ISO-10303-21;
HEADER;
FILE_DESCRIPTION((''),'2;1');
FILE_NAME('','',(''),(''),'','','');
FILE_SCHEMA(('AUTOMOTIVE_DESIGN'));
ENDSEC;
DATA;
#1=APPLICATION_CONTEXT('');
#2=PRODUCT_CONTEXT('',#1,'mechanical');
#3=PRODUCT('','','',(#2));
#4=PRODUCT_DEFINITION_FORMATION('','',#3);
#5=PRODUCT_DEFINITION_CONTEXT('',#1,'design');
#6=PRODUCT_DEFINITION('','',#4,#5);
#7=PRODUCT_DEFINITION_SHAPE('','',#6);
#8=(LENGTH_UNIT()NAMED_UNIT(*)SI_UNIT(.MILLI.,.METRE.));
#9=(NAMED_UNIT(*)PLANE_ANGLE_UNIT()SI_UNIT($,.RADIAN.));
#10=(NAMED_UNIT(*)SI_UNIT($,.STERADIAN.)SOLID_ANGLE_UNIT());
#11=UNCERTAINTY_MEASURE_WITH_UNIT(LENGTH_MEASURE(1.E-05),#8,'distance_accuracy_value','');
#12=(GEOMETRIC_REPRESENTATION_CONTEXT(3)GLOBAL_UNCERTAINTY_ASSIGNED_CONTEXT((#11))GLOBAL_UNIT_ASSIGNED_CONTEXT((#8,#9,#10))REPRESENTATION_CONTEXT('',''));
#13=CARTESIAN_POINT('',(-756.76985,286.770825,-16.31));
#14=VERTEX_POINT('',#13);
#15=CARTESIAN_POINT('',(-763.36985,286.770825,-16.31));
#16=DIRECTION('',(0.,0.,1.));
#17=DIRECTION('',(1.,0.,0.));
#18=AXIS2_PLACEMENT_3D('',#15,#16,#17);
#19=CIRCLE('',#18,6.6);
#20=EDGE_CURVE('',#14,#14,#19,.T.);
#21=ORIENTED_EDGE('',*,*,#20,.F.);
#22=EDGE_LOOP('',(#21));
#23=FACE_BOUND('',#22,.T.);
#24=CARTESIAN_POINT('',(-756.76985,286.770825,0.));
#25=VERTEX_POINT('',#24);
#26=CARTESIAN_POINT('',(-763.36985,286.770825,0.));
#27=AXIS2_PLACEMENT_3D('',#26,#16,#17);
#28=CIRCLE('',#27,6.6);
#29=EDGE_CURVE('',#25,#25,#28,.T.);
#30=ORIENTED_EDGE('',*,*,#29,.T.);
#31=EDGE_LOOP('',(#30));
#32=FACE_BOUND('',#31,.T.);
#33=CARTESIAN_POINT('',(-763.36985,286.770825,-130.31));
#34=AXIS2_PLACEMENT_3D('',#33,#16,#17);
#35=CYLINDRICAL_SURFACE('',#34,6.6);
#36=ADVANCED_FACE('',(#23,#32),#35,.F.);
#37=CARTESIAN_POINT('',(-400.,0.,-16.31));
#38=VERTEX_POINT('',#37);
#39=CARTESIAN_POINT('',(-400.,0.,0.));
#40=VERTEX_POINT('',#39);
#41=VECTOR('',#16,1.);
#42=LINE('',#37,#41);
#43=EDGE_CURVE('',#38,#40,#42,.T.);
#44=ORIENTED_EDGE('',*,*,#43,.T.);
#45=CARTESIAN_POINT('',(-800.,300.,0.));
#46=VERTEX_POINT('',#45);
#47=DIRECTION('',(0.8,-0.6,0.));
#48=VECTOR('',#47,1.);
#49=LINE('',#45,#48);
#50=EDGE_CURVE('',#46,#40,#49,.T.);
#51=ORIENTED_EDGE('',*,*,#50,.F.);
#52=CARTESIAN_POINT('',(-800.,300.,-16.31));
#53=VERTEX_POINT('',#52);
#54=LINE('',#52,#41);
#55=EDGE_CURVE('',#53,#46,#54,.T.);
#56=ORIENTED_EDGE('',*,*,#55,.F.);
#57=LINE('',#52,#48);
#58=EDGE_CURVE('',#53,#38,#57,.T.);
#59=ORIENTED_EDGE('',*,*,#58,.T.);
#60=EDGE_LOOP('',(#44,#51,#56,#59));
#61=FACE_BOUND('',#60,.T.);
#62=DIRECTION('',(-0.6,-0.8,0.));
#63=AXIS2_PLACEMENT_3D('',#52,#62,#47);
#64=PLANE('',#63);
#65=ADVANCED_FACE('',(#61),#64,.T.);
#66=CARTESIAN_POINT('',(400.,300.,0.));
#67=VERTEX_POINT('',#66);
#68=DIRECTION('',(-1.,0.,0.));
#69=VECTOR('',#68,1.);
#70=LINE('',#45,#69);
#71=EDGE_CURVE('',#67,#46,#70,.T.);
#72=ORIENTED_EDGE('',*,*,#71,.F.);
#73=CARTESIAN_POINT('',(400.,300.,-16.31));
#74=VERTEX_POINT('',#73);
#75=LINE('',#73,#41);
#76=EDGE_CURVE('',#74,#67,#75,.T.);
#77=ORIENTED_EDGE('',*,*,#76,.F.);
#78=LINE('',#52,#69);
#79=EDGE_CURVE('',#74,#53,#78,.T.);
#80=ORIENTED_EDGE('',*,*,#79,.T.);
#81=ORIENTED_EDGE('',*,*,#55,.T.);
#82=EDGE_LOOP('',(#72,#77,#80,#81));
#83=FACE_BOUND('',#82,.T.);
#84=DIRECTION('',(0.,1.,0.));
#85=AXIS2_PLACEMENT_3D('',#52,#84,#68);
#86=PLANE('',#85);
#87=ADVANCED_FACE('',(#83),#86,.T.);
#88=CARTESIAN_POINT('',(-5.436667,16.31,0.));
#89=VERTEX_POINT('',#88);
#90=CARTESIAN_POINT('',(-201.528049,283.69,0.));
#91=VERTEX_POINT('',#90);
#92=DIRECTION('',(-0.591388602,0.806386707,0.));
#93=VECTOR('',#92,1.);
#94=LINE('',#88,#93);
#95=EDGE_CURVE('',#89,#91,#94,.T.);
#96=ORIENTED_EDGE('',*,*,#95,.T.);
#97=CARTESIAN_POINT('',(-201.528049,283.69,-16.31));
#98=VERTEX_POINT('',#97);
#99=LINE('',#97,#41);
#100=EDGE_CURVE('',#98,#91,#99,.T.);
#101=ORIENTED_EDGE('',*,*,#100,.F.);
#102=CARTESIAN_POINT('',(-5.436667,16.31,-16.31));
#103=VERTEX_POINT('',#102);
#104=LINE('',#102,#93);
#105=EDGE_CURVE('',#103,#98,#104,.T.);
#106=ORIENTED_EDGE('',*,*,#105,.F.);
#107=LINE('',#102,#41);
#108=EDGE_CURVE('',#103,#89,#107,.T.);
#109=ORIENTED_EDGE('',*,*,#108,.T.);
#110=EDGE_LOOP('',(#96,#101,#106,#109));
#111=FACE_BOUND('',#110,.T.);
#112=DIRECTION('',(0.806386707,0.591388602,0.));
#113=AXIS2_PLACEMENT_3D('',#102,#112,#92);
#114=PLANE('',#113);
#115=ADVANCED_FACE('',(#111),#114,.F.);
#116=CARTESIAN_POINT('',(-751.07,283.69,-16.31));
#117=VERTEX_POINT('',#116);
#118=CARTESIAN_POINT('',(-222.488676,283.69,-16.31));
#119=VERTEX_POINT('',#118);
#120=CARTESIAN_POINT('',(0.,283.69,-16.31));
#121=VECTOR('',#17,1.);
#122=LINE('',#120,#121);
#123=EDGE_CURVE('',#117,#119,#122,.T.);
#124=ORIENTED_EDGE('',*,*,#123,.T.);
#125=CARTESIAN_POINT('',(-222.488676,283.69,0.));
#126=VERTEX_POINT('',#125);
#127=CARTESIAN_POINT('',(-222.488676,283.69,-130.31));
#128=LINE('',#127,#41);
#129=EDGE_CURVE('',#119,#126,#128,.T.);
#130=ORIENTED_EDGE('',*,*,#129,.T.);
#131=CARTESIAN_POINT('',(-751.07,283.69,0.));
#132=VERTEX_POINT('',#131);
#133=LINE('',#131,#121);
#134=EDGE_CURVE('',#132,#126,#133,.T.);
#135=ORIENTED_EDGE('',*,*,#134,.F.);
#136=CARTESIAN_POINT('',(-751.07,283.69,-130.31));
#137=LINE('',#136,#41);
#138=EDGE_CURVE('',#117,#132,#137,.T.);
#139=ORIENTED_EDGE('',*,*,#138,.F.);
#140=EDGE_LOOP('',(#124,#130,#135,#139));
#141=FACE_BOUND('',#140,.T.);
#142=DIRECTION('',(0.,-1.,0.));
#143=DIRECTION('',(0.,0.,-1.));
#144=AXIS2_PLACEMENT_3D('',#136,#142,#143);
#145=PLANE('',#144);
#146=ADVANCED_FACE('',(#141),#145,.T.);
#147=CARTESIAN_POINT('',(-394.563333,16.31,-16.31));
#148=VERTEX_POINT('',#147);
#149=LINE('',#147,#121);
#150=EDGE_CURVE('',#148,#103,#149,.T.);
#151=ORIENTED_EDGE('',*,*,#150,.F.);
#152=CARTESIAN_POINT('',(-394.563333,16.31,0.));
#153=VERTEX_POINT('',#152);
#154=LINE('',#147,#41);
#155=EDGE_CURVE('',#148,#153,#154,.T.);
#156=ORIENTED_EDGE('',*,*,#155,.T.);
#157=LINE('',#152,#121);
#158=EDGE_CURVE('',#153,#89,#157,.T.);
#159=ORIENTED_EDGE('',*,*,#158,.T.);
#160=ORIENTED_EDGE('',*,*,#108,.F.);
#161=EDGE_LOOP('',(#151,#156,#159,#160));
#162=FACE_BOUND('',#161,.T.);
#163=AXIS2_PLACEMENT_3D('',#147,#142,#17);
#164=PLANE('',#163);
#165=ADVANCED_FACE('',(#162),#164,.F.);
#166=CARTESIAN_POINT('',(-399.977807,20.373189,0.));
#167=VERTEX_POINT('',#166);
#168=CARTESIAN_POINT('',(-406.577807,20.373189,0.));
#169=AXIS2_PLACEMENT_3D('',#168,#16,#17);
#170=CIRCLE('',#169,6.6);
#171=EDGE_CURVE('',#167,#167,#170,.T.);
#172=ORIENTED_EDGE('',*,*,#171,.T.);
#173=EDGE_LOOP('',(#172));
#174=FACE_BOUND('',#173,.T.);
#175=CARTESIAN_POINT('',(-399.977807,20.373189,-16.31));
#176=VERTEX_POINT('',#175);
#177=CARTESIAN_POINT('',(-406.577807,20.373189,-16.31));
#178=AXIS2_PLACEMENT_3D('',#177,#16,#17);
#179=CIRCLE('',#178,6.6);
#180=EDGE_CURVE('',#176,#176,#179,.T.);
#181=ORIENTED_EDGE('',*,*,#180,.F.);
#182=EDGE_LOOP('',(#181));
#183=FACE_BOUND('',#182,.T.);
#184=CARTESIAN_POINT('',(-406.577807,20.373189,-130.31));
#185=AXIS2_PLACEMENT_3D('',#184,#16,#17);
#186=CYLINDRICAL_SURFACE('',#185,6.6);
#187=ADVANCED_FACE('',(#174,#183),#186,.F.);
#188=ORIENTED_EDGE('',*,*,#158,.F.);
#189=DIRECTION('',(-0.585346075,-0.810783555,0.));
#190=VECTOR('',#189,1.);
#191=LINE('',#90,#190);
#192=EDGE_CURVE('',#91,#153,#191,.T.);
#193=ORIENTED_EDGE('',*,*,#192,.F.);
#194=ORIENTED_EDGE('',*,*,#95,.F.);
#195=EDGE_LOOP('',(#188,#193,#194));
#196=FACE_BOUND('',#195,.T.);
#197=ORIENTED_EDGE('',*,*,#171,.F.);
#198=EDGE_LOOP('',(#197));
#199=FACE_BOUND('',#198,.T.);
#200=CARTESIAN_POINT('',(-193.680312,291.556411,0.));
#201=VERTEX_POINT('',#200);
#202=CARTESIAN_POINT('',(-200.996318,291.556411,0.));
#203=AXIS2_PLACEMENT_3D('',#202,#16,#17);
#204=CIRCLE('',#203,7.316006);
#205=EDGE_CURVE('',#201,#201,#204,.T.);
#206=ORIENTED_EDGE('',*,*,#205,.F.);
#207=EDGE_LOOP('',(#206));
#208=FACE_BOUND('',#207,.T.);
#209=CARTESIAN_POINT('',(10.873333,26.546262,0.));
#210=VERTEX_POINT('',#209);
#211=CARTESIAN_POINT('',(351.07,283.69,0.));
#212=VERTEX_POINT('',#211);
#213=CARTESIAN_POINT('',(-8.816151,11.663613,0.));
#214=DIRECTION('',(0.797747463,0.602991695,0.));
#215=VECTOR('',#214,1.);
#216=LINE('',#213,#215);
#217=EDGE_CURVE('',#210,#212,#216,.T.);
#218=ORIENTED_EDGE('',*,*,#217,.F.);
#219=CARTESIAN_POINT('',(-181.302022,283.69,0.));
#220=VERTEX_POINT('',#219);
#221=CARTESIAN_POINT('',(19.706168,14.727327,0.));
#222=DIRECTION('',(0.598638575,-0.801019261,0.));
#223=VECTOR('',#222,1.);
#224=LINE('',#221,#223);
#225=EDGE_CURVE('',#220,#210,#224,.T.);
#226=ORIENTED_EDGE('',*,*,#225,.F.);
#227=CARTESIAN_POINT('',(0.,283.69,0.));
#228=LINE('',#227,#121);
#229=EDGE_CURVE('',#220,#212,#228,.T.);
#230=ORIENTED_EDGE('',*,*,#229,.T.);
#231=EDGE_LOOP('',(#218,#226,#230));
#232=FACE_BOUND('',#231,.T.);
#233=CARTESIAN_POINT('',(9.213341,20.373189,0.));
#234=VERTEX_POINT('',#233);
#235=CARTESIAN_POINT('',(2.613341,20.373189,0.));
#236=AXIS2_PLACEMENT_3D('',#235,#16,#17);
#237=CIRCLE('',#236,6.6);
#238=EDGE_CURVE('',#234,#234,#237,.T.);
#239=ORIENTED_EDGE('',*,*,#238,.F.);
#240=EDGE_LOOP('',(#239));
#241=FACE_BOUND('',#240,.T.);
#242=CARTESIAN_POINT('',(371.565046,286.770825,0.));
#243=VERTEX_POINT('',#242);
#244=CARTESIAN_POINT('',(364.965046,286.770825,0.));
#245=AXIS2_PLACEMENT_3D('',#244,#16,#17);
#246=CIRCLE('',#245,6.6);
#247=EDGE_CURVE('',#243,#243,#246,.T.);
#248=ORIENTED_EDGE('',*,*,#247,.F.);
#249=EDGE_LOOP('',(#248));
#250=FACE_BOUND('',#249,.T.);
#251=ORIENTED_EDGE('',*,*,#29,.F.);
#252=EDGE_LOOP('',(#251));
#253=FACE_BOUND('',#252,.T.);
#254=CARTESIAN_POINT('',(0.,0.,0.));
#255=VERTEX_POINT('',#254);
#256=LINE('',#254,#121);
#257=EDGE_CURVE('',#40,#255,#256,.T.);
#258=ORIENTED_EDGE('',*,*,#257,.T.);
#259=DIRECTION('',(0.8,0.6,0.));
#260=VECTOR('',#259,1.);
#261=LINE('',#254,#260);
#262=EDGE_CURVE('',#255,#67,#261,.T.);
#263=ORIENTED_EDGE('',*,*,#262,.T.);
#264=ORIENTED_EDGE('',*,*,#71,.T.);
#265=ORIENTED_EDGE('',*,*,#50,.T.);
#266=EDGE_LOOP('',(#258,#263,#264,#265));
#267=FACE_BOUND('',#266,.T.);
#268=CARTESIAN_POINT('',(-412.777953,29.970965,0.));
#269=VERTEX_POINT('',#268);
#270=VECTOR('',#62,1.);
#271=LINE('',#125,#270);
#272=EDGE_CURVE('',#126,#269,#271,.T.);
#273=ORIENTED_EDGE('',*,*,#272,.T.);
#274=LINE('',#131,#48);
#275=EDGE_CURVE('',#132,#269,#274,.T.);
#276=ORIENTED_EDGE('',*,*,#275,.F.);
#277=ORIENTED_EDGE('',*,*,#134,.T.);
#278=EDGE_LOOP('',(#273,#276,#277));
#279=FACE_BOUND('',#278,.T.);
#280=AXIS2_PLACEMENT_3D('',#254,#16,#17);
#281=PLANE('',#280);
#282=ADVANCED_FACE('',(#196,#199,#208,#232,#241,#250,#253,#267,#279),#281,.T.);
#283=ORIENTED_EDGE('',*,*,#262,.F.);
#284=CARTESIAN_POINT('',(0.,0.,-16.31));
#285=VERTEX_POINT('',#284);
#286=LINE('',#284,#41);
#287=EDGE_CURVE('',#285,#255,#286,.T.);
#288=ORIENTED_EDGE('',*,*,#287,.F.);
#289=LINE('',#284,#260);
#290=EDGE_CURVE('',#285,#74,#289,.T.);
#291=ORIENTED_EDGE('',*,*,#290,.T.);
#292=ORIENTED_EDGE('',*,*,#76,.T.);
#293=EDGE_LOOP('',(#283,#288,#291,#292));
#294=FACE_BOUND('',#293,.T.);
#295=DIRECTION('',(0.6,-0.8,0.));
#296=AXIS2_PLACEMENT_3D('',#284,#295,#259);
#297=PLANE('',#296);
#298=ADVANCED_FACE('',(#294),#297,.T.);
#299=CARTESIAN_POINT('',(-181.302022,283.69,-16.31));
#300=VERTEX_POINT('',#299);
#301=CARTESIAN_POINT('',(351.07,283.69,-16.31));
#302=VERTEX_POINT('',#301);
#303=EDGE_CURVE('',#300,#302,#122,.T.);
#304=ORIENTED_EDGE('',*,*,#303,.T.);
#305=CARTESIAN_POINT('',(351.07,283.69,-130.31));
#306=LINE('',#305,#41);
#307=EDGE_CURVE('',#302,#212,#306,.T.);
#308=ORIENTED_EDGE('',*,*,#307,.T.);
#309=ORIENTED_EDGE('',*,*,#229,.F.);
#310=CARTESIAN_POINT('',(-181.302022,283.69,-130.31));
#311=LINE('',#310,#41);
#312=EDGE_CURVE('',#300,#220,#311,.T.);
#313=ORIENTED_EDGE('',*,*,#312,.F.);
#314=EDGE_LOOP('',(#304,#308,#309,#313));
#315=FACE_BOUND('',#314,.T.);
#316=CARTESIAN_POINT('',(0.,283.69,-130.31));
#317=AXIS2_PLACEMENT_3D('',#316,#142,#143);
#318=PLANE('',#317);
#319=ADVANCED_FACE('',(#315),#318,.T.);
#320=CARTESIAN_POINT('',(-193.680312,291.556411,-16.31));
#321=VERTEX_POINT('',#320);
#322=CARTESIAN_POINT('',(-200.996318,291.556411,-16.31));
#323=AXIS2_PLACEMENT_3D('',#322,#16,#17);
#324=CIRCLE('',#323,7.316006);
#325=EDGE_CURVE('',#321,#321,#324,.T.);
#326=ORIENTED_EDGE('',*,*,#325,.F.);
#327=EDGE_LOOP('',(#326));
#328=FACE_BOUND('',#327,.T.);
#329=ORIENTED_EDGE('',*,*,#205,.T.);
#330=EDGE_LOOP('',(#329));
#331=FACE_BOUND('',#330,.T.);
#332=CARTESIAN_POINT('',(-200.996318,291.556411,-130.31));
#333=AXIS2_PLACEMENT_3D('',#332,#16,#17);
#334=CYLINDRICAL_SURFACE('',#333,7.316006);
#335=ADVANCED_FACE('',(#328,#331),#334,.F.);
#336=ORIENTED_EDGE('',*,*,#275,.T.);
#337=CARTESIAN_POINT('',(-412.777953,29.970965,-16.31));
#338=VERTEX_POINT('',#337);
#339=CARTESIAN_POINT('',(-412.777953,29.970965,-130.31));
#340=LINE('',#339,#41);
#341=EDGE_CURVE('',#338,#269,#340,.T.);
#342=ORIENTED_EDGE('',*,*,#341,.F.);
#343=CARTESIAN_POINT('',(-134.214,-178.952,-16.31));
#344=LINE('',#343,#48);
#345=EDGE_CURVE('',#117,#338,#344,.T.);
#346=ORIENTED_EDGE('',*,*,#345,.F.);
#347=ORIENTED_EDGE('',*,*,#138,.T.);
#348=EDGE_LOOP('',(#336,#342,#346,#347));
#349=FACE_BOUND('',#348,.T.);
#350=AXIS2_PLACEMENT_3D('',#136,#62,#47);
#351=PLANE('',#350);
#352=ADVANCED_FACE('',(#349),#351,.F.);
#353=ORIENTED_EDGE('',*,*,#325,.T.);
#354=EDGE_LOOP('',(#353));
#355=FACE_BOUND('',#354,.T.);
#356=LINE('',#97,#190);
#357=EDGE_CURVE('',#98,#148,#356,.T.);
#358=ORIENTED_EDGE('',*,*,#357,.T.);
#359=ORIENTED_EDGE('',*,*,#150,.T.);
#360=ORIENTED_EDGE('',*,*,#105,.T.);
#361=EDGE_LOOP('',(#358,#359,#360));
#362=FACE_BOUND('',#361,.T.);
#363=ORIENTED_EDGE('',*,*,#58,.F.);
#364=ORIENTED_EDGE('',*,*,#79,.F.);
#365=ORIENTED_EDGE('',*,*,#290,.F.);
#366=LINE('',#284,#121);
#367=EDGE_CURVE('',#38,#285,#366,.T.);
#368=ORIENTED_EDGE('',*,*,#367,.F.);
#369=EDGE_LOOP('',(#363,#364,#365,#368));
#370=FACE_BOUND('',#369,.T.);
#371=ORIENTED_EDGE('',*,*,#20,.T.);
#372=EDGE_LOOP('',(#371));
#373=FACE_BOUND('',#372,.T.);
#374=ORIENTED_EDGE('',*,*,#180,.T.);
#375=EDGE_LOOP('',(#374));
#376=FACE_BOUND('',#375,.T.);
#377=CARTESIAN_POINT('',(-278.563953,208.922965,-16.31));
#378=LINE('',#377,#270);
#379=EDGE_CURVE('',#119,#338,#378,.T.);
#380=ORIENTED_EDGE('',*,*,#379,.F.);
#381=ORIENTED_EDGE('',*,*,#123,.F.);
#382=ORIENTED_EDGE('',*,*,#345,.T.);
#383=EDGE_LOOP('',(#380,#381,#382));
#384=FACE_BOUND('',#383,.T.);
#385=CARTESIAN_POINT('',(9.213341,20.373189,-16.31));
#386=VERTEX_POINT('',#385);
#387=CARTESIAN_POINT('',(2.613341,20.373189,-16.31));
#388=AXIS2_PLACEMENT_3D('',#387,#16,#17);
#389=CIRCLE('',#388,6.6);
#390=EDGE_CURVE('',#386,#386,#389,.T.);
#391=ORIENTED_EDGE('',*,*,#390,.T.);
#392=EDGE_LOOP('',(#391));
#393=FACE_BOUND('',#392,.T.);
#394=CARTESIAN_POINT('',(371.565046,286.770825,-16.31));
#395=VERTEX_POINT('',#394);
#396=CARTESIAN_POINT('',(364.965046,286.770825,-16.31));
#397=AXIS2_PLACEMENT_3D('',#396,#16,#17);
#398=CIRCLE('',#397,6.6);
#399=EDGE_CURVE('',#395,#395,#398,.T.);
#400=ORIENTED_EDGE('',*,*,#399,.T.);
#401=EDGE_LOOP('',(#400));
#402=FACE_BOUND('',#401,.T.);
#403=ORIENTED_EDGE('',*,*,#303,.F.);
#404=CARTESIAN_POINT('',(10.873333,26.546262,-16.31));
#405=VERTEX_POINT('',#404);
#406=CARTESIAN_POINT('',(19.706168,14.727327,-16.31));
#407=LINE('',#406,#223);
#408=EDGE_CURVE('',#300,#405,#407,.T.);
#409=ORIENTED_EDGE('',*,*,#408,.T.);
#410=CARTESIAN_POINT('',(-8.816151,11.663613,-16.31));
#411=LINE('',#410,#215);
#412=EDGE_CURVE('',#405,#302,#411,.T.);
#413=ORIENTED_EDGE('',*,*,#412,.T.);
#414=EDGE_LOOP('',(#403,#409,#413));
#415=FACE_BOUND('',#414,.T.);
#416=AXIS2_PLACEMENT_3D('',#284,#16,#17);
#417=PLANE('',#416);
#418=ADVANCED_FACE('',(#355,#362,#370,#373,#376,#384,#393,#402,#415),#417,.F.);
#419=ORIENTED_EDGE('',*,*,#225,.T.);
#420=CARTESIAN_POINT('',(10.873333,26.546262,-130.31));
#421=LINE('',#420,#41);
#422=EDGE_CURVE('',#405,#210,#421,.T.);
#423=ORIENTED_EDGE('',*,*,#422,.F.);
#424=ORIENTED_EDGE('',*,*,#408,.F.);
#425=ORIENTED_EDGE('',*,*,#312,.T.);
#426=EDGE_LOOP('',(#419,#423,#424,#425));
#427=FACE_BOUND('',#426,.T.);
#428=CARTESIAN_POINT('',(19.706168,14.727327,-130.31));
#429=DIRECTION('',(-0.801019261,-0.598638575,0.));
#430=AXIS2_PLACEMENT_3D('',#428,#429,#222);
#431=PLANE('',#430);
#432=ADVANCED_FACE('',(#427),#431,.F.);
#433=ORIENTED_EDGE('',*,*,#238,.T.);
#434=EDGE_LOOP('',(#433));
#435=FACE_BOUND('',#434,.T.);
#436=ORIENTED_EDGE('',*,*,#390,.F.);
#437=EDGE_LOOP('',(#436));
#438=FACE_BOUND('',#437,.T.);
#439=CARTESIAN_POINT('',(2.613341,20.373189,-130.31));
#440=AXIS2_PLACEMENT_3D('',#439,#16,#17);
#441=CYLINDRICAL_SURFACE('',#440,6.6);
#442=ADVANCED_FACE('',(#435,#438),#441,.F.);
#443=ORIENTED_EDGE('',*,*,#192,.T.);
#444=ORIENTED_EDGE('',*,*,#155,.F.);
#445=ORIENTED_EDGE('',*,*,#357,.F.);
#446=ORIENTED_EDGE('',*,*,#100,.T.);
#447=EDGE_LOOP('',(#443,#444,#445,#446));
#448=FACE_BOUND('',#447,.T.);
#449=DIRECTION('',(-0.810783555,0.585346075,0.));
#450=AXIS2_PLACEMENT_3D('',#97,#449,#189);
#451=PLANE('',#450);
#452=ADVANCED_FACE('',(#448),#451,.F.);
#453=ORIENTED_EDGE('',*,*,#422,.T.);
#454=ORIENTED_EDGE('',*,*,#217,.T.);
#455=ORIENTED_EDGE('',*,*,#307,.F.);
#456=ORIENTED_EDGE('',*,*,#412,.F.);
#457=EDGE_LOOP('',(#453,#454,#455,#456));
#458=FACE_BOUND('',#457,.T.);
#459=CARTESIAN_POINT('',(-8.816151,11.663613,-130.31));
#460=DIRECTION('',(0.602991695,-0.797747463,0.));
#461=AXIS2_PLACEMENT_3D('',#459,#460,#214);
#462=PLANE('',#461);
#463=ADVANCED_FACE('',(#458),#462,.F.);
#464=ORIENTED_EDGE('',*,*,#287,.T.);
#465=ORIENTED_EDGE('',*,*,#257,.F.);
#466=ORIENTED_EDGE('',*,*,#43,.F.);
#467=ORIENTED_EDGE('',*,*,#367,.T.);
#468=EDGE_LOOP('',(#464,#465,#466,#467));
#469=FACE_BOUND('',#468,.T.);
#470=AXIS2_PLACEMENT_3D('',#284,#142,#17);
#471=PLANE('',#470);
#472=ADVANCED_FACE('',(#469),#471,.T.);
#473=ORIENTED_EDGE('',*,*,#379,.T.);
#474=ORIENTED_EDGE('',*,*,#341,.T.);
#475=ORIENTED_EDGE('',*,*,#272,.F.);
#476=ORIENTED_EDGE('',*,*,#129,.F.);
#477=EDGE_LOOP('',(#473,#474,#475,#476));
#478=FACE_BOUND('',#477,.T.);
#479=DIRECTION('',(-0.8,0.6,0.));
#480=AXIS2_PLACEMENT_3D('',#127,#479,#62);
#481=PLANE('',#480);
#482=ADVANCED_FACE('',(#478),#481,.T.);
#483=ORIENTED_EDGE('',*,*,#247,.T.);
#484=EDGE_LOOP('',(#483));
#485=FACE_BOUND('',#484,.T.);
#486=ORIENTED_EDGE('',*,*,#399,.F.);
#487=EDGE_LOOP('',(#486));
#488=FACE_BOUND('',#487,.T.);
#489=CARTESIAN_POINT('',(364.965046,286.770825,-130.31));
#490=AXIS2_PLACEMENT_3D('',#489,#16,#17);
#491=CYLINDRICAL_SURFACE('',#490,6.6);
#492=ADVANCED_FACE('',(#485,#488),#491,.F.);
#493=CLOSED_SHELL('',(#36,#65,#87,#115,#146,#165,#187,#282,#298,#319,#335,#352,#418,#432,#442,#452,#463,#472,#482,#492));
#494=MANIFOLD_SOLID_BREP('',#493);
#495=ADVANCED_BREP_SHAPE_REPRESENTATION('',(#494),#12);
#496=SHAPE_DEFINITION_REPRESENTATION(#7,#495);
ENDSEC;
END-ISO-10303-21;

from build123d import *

# Parameters (mm, degrees)
BOSS_EXTRUDE1_DEPTH = 16.31
CUT_EXTRUDE4_DEPTH  = 130.31
SKETCH3_R           = 7.316006069
SKETCH3_R_2         = 6.6
CUT_EXTRUDE6_DEPTH  = 130.31


with BuildPart() as part:
    # Sketch1 → Boss-Extrude1 (new body)
    with BuildSketch(Plane.XY):
        Polygon((-800, 300), (400, 300), (0, 0), (-400, 0), align=None)
        Polygon((-394.563333333, 16.31), (-5.436666667, 16.31), (-201.528049499, 283.69), align=None, mode=Mode.SUBTRACT)
    extrude(amount=-BOSS_EXTRUDE1_DEPTH)

    # Sketch2 → Cut-Extrude4 (cut)
    with BuildSketch(Plane.XY):
        Polygon((-181.30202164, 283.69), (10.873333333, 26.546261845), (351.07, 283.69), align=None)
        Polygon((-751.07, 283.69), (-222.488676184, 283.69), (-412.777952758, 29.970964568), align=None)
    extrude(amount=-CUT_EXTRUDE4_DEPTH, mode=Mode.SUBTRACT)

    # Sketch3 → Cut-Extrude6 (cut)
    with BuildSketch(Plane.XY):
        with Locations((-200.996317691, 291.556411045)):
            Circle(SKETCH3_R)
        with Locations((-763.369850402, 286.770824774)):
            Circle(SKETCH3_R_2)
        with Locations((364.965045825, 286.770824774)):
            Circle(SKETCH3_R_2)
        with Locations((2.613340708, 20.373189048)):
            Circle(SKETCH3_R_2)
        with Locations((-406.577807344, 20.373189048)):
            Circle(SKETCH3_R_2)
    extrude(amount=-CUT_EXTRUDE6_DEPTH, mode=Mode.SUBTRACT)


solid = part.part
